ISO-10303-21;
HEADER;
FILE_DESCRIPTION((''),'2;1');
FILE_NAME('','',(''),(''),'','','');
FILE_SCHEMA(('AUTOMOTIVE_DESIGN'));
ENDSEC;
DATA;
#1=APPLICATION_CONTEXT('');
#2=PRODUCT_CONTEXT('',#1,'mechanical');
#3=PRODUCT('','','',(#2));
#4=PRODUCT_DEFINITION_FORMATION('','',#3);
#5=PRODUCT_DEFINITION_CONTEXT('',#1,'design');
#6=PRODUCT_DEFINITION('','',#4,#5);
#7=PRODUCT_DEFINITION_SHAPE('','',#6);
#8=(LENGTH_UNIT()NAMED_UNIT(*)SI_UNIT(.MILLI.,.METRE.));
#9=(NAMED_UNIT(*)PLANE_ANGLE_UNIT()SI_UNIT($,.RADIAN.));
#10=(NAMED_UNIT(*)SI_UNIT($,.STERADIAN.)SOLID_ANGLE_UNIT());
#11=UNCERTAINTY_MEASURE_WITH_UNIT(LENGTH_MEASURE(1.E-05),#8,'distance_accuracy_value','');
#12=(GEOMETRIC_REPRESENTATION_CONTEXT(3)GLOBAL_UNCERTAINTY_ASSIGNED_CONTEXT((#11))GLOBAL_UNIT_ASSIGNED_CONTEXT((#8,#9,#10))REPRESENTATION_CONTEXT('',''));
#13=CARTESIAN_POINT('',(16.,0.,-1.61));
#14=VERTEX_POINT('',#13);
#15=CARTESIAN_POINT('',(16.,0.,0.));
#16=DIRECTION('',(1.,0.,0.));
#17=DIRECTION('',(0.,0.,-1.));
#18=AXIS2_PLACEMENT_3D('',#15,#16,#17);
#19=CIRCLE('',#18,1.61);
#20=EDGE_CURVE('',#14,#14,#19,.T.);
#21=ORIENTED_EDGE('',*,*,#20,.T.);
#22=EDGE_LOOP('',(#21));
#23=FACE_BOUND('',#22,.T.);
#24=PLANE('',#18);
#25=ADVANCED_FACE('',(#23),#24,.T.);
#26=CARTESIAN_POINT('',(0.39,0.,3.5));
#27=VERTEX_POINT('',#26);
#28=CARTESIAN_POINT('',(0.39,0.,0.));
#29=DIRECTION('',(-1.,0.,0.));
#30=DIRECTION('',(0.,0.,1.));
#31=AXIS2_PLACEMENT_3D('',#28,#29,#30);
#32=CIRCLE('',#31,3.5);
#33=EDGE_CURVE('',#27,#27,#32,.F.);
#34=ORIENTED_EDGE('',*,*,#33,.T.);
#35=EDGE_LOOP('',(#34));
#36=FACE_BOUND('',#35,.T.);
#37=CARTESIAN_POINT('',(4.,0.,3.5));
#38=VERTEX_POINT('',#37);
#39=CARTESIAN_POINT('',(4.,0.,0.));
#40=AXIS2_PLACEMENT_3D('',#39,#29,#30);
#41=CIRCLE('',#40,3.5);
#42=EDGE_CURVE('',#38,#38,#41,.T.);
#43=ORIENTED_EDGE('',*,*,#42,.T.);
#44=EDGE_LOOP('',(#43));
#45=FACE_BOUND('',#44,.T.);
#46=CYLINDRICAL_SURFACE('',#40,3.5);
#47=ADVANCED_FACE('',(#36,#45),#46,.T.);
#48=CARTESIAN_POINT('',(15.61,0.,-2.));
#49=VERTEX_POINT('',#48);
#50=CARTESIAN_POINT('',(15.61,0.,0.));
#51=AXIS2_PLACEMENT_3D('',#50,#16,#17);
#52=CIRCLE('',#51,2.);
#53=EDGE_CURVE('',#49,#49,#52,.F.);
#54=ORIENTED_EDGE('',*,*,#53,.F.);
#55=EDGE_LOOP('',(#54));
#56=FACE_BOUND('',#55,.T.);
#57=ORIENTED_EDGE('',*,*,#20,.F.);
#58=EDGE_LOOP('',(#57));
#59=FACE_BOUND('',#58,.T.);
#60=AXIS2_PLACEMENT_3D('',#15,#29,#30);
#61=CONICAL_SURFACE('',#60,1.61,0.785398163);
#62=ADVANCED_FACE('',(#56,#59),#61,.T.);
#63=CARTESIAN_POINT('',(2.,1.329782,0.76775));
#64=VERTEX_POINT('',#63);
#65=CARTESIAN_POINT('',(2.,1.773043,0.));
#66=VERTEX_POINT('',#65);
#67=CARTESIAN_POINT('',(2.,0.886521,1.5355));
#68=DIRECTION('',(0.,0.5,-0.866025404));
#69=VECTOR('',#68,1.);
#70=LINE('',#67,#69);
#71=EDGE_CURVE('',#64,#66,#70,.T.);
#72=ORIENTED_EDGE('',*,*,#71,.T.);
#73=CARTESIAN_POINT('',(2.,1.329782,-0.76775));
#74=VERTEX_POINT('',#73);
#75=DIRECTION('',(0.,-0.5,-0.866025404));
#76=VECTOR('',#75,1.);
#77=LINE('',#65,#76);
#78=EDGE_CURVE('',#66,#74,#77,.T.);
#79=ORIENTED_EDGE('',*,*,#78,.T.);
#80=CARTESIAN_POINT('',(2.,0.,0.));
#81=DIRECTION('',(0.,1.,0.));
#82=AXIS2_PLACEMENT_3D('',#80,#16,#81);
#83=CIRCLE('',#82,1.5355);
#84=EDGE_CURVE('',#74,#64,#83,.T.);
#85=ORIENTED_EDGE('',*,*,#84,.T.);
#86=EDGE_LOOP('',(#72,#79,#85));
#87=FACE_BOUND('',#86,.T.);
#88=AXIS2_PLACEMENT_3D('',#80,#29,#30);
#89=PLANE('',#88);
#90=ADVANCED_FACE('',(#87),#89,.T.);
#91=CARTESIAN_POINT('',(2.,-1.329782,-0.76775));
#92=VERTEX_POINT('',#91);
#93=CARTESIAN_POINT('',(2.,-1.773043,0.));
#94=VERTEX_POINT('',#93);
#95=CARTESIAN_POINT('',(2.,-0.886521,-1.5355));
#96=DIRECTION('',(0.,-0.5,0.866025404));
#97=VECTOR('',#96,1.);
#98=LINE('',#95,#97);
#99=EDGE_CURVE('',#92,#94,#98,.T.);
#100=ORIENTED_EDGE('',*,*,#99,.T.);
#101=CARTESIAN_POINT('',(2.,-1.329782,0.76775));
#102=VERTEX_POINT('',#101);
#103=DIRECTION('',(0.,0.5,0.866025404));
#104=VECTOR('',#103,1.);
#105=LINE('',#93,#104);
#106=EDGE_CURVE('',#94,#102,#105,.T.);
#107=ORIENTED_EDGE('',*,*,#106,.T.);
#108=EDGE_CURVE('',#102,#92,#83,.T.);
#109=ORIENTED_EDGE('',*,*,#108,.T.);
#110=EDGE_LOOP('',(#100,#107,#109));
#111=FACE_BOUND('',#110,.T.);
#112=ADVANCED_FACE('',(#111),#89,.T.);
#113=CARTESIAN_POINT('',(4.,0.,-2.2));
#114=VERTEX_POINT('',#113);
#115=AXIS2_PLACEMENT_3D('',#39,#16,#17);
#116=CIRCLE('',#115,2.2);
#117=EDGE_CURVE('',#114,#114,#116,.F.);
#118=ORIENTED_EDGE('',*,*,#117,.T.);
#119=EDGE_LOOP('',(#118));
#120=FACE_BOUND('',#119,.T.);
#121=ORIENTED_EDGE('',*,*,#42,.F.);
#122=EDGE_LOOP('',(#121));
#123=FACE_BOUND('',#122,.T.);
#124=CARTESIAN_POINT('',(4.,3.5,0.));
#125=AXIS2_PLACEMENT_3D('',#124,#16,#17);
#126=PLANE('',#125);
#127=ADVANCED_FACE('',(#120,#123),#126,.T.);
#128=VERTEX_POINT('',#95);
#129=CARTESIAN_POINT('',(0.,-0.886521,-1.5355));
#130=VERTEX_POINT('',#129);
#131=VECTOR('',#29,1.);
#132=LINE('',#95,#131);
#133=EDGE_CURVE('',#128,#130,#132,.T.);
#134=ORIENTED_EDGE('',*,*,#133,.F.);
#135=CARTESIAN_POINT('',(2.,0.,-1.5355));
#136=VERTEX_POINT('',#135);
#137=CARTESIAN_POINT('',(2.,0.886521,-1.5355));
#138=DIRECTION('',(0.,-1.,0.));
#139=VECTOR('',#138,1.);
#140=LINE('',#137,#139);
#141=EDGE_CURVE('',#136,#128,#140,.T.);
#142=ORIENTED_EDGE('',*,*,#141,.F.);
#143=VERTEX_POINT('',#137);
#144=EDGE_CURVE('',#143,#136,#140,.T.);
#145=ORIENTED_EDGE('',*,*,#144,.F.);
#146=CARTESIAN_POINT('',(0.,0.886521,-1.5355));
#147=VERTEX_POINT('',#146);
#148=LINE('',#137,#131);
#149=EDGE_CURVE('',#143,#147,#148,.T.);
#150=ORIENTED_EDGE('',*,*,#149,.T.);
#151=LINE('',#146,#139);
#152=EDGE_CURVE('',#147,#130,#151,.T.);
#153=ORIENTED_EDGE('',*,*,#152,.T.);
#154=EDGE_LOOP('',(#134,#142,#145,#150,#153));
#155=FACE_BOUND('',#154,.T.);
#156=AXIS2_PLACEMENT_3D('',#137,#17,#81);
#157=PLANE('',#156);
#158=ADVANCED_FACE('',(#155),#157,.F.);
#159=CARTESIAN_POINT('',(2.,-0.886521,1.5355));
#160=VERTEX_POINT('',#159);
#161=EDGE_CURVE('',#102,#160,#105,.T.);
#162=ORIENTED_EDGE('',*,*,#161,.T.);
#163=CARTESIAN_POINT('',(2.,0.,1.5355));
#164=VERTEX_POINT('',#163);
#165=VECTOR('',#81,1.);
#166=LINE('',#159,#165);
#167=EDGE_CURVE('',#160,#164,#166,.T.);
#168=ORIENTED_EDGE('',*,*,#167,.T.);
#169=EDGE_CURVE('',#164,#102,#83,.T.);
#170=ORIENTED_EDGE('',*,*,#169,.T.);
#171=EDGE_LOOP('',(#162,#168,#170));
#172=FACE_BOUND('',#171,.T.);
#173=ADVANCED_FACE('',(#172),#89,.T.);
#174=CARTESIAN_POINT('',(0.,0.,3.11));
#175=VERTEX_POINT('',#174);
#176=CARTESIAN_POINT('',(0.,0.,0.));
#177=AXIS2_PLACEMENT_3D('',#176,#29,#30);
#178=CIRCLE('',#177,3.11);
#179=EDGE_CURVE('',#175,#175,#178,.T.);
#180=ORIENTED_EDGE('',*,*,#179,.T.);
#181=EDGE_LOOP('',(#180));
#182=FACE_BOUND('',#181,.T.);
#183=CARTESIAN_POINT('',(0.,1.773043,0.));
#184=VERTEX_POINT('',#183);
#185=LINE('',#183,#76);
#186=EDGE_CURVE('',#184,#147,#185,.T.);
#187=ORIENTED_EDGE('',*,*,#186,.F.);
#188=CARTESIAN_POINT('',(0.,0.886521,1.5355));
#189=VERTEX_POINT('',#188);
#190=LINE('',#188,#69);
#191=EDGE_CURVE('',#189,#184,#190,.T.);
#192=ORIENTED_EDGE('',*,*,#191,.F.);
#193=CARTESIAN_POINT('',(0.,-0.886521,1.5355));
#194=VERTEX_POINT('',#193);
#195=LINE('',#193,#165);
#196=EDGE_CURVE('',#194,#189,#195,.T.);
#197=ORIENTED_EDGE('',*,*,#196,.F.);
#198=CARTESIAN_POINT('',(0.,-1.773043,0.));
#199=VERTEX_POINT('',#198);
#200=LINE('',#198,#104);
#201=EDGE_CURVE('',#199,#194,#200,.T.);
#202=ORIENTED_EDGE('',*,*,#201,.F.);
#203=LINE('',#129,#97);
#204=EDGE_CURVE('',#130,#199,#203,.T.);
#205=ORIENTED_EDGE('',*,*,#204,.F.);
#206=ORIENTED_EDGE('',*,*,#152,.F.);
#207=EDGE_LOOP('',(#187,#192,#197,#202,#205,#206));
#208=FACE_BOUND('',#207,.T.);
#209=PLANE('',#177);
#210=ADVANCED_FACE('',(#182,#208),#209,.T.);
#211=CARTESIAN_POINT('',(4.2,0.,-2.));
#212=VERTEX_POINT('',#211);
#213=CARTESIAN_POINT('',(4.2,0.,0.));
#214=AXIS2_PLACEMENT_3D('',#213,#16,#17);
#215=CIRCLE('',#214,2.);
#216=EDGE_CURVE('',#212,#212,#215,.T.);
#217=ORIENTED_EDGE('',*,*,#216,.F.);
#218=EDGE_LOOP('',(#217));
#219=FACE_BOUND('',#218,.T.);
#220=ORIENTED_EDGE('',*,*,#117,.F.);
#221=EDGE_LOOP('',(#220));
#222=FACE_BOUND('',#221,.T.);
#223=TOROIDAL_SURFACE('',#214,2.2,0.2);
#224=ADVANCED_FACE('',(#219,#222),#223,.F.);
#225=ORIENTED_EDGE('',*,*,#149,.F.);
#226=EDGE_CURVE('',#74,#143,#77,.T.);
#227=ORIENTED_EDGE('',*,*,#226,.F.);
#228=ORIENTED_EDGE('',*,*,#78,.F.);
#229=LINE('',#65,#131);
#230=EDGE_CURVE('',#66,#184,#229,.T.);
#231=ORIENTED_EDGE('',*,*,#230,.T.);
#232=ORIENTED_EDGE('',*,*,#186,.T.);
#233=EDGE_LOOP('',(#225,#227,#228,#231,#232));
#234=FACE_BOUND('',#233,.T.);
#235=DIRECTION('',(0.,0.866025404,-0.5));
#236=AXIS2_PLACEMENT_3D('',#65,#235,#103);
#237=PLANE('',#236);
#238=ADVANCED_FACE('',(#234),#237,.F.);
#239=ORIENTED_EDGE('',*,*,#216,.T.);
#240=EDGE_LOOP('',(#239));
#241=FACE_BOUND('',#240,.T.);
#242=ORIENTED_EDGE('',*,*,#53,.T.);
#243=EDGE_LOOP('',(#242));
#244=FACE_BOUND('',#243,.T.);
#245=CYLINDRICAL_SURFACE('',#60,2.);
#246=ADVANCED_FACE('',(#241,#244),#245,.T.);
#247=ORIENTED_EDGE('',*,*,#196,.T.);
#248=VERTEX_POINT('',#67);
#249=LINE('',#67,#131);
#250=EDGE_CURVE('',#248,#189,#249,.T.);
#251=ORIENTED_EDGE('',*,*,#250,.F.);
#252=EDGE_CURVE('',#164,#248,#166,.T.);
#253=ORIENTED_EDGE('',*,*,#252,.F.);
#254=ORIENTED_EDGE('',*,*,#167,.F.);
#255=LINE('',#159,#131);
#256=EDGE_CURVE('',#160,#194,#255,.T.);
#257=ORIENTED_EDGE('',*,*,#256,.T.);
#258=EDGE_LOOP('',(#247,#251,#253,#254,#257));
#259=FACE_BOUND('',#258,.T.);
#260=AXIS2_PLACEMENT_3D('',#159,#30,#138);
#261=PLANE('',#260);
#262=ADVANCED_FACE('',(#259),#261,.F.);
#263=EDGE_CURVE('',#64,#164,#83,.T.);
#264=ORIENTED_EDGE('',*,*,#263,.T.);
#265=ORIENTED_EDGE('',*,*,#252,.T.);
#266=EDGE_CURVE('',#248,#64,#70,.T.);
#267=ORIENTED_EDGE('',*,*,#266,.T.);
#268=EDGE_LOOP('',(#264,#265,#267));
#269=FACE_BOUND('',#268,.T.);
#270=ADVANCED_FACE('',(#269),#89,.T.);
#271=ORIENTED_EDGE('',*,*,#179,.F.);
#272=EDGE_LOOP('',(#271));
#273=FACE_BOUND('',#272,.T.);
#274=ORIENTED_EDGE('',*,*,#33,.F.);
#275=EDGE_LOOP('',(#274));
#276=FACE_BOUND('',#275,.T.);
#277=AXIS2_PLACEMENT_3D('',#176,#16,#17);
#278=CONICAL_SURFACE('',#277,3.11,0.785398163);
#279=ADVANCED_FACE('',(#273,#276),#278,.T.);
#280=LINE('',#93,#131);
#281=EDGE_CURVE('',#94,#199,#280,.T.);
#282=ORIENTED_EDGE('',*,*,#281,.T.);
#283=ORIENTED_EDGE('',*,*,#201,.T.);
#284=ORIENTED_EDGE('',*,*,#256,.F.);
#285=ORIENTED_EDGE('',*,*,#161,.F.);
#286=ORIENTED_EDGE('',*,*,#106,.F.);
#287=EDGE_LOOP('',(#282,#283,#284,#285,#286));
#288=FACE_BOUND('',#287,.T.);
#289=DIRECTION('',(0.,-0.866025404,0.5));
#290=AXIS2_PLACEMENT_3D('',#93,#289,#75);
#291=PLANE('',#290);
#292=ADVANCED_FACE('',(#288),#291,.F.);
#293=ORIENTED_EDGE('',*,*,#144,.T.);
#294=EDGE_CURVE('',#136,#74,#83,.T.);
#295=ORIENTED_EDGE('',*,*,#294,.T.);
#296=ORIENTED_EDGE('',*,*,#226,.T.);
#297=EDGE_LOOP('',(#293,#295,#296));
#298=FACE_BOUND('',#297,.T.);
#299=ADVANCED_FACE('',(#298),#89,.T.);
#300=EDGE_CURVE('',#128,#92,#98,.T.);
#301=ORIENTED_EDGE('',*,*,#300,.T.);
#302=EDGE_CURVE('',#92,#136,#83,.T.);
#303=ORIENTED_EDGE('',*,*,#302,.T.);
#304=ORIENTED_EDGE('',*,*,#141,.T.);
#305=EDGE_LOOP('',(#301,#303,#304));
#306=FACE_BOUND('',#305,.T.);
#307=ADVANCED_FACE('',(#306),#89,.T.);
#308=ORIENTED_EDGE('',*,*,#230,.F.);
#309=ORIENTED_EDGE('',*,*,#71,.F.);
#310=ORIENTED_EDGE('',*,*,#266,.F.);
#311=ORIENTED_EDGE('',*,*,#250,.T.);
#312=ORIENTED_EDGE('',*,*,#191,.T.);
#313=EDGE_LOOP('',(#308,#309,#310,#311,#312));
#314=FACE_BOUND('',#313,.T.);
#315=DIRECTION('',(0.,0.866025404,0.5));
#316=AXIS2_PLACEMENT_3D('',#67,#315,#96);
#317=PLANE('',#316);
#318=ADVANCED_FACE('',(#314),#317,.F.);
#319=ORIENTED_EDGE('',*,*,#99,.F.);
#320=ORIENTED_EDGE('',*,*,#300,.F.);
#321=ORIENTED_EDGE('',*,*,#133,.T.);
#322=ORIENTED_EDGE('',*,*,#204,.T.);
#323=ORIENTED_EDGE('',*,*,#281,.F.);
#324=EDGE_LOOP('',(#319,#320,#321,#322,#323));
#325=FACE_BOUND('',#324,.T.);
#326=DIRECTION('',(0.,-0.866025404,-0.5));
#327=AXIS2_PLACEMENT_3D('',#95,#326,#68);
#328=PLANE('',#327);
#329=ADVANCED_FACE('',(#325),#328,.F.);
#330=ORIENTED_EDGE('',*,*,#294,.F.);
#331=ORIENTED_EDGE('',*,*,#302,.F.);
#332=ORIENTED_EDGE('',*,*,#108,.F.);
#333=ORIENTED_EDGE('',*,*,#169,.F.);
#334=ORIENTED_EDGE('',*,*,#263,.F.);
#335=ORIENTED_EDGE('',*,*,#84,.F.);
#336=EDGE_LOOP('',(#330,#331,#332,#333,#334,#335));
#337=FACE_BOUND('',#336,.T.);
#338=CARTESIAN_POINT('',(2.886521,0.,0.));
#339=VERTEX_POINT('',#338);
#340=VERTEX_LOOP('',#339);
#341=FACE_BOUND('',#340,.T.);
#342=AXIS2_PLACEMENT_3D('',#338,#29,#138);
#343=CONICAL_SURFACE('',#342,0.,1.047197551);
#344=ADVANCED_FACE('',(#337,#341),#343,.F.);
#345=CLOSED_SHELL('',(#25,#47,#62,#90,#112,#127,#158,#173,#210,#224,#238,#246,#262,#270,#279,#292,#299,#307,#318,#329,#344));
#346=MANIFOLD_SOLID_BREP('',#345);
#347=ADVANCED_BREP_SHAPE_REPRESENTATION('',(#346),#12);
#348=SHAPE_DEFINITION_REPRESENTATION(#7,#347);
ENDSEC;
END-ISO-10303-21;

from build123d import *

# Parameters (mm, degrees)
SKETCH1_W           = 4
SKETCH1_H           = 3.5
SKETCH2_R           = 2
BOSS_EXTRUDE1_DEPTH = 12
CUT_EXTRUDE1_DEPTH  = 2
CHAMFER1_SIZE       = 0.39
FILLET1_R           = 0.2


with BuildPart() as part:
    # Sketch1 → Revolve1 (revolve)
    with BuildSketch(Plane(origin=(0, 0, 0), x_dir=(-1, 0, 0), z_dir=(0, 0, -1))):
        with Locations((-2, 1.75)):
            Rectangle(SKETCH1_W, SKETCH1_H)
    revolve(axis=Axis((4, 0, 0), (-1, 0, 0)))

    # Sketch2 → Boss-Extrude1 (add)
    with BuildSketch(Plane(origin=(4, 0, 0), x_dir=(0, 0, -1), z_dir=(1, 0, 0))):
        Circle(SKETCH2_R)
    extrude(amount=BOSS_EXTRUDE1_DEPTH)

    # Sketch3 → Cut-Extrude1 (cut)
    with BuildSketch(Plane.ZY):
        Polygon((1.5355, -0.886521338), (1.5355, 0.886521338), (0, 1.773042677), (-1.5355, 0.886521338), (-1.5355, -0.886521338), (0, -1.773042677), align=None)
    extrude(amount=-CUT_EXTRUDE1_DEPTH, mode=Mode.SUBTRACT)

    # Sketch4 → Cut-Revolve1 (revolve, cut)
    with BuildSketch(Plane.XY):
        Polygon((2, 1.5355), (2, 0), (2.886521338, 0), align=None)
    revolve(axis=Axis((2, 0, 0), (1, 0, 0)), mode=Mode.SUBTRACT)

    # Chamfer1
    chamfer1_edges = [part.edges().sort_by_distance(p)[0] for p in [
        (0, -3.5, 0),
        (16, 0, 2),
    ]]
    chamfer(chamfer1_edges, length=CHAMFER1_SIZE)

    # Fillet1
    fillet1_edges = [part.edges().sort_by_distance(p)[0] for p in [
        (4, 0, 2),
    ]]
    fillet(fillet1_edges, radius=FILLET1_R)


solid = part.part
